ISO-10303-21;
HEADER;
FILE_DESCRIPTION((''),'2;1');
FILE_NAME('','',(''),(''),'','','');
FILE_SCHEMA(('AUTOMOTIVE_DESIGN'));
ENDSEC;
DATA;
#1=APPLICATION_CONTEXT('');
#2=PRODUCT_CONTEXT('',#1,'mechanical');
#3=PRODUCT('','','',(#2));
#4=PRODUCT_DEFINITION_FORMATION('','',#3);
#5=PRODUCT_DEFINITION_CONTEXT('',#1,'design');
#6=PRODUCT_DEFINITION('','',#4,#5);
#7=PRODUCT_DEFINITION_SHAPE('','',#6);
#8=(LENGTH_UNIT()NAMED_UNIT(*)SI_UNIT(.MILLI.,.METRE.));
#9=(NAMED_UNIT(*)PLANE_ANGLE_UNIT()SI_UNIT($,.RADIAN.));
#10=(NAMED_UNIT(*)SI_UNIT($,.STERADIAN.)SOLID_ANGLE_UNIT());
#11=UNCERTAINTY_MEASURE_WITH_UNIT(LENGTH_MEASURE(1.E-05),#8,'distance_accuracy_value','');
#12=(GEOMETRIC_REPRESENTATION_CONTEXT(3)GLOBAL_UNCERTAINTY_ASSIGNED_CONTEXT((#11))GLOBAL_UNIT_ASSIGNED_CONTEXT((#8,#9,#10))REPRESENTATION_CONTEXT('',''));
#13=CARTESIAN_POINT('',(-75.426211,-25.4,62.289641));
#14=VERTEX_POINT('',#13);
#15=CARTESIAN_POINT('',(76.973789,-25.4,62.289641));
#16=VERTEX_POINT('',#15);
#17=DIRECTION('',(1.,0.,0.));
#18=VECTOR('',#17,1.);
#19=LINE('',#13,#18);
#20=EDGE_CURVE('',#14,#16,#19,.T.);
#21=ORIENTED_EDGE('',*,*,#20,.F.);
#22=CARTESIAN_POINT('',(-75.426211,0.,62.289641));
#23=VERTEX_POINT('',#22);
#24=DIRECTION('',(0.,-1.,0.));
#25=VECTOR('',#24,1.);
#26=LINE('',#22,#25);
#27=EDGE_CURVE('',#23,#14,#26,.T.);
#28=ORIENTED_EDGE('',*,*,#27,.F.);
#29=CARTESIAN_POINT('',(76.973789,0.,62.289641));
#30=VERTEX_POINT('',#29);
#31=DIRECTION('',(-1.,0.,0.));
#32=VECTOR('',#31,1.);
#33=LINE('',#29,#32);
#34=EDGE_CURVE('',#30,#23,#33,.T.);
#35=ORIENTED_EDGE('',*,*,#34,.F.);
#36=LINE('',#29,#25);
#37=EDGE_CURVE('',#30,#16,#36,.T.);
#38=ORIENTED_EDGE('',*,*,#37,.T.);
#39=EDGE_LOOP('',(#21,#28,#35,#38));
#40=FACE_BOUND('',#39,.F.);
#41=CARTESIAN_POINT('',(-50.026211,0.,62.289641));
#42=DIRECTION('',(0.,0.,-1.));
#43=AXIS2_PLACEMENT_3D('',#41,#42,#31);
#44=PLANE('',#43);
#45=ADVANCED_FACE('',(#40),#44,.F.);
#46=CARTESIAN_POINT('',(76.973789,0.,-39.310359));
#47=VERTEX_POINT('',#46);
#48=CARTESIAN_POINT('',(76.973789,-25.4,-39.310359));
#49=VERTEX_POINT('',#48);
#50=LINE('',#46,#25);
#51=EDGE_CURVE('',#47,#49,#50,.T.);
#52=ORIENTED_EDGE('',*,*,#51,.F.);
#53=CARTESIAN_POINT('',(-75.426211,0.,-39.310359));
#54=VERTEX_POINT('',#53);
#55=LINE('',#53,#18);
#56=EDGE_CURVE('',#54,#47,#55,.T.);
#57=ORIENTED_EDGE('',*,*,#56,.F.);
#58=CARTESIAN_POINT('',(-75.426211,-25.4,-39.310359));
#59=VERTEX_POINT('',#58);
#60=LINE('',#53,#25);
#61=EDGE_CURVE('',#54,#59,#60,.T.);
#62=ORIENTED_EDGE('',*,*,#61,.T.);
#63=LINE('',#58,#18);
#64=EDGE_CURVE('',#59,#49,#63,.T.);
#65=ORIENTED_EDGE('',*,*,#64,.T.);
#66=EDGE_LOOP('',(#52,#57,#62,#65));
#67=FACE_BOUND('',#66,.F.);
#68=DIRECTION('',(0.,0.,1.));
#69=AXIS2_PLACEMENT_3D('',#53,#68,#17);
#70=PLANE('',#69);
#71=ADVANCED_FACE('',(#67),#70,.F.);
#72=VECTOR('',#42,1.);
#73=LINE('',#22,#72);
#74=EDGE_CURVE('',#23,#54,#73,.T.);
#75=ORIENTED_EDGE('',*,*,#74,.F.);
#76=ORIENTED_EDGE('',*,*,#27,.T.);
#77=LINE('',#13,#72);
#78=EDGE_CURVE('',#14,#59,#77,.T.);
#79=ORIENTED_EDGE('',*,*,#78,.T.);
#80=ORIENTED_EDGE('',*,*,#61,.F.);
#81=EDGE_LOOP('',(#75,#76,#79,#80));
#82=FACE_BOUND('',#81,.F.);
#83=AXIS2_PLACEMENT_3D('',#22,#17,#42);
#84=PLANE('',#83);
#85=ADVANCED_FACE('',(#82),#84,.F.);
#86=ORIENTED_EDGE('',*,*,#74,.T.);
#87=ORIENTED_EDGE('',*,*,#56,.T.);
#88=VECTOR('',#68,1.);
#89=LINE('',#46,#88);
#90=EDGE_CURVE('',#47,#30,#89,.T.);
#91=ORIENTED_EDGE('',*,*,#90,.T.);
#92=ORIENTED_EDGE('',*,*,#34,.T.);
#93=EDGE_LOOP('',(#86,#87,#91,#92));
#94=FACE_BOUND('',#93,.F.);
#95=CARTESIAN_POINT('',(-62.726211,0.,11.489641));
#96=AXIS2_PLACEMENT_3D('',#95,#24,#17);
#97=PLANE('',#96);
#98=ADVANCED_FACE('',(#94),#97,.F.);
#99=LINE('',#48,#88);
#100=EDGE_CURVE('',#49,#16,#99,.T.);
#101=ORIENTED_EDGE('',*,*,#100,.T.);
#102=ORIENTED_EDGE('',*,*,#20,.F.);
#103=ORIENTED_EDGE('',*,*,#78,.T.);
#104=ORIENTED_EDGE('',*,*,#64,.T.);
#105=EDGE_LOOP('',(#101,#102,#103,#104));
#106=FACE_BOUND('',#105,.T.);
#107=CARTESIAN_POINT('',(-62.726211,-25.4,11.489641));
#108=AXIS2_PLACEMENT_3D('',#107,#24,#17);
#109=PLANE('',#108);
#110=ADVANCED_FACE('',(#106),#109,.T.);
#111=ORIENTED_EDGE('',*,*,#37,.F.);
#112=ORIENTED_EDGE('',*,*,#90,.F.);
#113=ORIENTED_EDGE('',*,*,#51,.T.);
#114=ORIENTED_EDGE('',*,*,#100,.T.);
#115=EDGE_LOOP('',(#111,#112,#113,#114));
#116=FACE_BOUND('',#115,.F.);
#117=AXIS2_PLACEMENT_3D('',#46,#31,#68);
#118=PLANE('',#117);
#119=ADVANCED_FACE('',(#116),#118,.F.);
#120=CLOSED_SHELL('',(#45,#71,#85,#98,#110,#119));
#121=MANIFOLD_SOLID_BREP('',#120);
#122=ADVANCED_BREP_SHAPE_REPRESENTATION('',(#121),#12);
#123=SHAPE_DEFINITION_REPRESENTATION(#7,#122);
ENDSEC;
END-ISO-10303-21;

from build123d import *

# Parameters (mm, degrees)
F0_W     = 101.6
F0_H     = 25.4
F1_DEPTH = 25.4
F0_H_2   = 50.8
F2_DEPTH = 25.4


with BuildPart() as f1:
    # F0 (on Front) → F1 (new body)
    with BuildSketch(Plane.XZ):
        with Locations((0.773789, 49.589641)):
            Rectangle(F0_W, F0_H)
    extrude(amount=F1_DEPTH)

    # F0 (on Front) → F2 (join)
    with BuildSketch(Plane.XZ):
        Polygon((-50.026211, 62.289641), (-75.426211, 62.289641), (-75.426211, -39.310359), (-50.026211, -39.310359), (-50.026211, -13.910359), (-50.026211, 36.889641), align=None)
        with Locations((0.773789, 11.489641)):
            Rectangle(F0_W, F0_H_2)
        with Locations((0.773789, -26.610359)):
            Rectangle(F0_W, F0_H)
        Polygon((76.973789, 62.289641), (51.573789, 62.289641), (51.573789, 36.889641), (51.573789, -13.910359), (51.573789, -39.310359), (76.973789, -39.310359), align=None)
    extrude(amount=F2_DEPTH)


solid = f1.part
